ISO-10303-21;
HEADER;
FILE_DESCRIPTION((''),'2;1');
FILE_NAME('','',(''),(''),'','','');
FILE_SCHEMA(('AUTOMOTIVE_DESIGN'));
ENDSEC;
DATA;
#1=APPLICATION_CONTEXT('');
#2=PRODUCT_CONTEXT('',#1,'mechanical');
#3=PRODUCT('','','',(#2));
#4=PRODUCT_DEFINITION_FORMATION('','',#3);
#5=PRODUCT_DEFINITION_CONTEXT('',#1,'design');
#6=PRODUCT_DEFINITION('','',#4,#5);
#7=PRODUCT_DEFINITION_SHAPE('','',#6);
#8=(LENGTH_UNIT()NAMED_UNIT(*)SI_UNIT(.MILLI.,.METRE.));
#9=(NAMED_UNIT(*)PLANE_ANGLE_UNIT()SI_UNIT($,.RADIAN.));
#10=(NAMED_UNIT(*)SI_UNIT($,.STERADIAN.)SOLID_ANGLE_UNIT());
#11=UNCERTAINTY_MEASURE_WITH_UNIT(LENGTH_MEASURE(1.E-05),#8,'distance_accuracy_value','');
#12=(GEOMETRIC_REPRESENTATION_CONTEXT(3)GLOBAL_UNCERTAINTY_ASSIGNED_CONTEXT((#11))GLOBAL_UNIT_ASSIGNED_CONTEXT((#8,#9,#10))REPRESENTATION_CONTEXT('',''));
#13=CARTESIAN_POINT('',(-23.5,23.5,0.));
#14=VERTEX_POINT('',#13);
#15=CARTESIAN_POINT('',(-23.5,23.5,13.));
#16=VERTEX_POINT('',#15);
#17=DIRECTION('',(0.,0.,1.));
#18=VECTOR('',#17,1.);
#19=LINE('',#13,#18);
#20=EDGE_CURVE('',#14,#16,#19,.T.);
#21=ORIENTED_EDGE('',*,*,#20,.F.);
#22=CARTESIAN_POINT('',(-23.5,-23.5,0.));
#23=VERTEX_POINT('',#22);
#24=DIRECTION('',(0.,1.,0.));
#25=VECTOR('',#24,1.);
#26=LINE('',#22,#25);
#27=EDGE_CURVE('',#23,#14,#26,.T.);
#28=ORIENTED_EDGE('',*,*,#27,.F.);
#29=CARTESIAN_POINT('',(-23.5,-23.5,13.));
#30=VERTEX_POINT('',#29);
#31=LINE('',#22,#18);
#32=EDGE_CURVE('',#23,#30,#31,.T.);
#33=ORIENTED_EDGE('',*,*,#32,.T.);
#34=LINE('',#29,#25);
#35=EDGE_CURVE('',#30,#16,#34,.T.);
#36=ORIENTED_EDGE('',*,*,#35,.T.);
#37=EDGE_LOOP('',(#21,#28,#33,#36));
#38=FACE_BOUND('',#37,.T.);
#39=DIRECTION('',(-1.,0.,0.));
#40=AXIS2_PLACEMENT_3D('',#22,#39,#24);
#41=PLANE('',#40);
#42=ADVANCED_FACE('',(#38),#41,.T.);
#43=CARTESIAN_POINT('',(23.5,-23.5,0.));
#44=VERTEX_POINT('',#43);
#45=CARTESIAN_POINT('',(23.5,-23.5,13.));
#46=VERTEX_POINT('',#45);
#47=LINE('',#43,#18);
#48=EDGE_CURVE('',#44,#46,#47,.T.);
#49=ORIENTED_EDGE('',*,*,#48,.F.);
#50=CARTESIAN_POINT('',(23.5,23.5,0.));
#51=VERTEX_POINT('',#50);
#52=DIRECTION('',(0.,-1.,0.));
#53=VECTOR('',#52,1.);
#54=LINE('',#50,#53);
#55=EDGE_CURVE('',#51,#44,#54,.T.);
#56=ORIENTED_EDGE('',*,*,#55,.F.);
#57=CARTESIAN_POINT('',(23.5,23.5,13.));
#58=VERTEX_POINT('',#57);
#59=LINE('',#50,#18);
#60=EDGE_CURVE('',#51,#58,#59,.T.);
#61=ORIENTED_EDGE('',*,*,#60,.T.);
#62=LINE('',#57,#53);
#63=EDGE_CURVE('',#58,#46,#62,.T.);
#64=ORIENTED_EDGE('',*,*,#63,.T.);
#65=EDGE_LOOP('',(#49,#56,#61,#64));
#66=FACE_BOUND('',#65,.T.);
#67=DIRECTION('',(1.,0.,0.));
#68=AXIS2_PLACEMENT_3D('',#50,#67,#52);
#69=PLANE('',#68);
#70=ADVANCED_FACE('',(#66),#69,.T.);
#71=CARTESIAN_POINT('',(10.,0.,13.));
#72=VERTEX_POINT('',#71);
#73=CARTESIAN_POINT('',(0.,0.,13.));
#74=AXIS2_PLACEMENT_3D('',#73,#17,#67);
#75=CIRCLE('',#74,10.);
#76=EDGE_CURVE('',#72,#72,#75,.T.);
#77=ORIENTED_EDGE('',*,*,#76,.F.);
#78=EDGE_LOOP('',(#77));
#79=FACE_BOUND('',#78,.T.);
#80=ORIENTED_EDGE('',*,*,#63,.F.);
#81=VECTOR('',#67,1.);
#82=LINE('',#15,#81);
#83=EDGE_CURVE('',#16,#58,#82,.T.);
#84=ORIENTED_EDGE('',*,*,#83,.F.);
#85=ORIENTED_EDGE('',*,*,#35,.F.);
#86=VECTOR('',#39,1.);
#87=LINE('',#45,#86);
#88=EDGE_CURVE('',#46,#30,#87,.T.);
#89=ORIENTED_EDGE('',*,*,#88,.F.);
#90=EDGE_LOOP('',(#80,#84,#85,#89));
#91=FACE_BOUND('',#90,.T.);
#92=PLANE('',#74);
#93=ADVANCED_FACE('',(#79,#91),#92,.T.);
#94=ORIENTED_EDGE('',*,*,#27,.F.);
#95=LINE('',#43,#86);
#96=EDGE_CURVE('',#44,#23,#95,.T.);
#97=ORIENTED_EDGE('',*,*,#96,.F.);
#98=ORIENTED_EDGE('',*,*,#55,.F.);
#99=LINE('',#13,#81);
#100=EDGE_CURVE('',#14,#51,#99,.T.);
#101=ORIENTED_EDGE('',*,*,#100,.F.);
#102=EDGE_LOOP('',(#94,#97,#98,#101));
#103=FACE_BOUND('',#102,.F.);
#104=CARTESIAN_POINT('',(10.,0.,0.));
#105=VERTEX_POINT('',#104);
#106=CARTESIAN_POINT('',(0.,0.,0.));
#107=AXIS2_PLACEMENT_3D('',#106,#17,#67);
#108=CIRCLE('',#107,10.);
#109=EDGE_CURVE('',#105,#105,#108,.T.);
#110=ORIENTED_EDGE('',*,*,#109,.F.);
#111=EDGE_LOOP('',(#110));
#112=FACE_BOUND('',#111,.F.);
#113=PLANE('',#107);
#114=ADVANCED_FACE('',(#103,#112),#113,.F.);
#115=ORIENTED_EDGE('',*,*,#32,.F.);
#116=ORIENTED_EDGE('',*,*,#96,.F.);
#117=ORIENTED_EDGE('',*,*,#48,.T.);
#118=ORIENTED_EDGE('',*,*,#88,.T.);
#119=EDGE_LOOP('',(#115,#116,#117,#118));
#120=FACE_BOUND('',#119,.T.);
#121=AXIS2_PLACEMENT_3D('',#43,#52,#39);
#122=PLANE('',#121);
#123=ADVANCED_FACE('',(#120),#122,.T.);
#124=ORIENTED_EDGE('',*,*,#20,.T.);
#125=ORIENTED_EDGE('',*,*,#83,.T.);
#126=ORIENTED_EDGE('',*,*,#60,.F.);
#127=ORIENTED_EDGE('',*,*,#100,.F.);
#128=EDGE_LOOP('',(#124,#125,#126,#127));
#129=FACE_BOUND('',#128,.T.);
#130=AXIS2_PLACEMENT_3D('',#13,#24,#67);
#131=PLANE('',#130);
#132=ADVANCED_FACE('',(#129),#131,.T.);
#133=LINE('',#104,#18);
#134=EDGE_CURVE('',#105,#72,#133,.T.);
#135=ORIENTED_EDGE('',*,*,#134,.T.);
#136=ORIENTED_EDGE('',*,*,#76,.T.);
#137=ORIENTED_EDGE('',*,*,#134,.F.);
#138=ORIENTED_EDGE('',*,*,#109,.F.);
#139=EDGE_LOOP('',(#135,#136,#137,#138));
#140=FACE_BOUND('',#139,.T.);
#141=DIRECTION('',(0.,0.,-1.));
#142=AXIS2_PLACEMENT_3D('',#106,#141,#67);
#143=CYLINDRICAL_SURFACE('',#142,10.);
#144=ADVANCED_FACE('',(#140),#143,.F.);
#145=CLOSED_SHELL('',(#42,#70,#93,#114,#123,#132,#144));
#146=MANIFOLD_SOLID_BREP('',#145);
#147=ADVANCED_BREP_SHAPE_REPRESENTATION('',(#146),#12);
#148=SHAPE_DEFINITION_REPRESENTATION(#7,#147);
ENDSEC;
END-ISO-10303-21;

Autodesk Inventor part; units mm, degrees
sketch "スケッチ1" plane through (0, 0, 0) normal (0, 0, 1) x (1, 0, 0)
  circle A0 centre (0, 0) radius 10
  line L0 (-23.5, 23.5) -> (23.5, 23.5)
  line L1 (23.5, 23.5) -> (23.5, -23.5)
  line L2 (23.5, -23.5) -> (-23.5, -23.5)
  line L3 (-23.5, -23.5) -> (-23.5, 23.5)
  line L4 (-23.5, 23.5) -> (23.5, -23.5) construction
  line L5 (23.5, 23.5) -> (-23.5, -23.5) construction
  dimension "d0" = 20
  dimension "d1" = 47
  dimension "d2" = 47
extrude "押し出し1" add sketch "スケッチ1" along normal blind 13
properties part number "bearing1b"
